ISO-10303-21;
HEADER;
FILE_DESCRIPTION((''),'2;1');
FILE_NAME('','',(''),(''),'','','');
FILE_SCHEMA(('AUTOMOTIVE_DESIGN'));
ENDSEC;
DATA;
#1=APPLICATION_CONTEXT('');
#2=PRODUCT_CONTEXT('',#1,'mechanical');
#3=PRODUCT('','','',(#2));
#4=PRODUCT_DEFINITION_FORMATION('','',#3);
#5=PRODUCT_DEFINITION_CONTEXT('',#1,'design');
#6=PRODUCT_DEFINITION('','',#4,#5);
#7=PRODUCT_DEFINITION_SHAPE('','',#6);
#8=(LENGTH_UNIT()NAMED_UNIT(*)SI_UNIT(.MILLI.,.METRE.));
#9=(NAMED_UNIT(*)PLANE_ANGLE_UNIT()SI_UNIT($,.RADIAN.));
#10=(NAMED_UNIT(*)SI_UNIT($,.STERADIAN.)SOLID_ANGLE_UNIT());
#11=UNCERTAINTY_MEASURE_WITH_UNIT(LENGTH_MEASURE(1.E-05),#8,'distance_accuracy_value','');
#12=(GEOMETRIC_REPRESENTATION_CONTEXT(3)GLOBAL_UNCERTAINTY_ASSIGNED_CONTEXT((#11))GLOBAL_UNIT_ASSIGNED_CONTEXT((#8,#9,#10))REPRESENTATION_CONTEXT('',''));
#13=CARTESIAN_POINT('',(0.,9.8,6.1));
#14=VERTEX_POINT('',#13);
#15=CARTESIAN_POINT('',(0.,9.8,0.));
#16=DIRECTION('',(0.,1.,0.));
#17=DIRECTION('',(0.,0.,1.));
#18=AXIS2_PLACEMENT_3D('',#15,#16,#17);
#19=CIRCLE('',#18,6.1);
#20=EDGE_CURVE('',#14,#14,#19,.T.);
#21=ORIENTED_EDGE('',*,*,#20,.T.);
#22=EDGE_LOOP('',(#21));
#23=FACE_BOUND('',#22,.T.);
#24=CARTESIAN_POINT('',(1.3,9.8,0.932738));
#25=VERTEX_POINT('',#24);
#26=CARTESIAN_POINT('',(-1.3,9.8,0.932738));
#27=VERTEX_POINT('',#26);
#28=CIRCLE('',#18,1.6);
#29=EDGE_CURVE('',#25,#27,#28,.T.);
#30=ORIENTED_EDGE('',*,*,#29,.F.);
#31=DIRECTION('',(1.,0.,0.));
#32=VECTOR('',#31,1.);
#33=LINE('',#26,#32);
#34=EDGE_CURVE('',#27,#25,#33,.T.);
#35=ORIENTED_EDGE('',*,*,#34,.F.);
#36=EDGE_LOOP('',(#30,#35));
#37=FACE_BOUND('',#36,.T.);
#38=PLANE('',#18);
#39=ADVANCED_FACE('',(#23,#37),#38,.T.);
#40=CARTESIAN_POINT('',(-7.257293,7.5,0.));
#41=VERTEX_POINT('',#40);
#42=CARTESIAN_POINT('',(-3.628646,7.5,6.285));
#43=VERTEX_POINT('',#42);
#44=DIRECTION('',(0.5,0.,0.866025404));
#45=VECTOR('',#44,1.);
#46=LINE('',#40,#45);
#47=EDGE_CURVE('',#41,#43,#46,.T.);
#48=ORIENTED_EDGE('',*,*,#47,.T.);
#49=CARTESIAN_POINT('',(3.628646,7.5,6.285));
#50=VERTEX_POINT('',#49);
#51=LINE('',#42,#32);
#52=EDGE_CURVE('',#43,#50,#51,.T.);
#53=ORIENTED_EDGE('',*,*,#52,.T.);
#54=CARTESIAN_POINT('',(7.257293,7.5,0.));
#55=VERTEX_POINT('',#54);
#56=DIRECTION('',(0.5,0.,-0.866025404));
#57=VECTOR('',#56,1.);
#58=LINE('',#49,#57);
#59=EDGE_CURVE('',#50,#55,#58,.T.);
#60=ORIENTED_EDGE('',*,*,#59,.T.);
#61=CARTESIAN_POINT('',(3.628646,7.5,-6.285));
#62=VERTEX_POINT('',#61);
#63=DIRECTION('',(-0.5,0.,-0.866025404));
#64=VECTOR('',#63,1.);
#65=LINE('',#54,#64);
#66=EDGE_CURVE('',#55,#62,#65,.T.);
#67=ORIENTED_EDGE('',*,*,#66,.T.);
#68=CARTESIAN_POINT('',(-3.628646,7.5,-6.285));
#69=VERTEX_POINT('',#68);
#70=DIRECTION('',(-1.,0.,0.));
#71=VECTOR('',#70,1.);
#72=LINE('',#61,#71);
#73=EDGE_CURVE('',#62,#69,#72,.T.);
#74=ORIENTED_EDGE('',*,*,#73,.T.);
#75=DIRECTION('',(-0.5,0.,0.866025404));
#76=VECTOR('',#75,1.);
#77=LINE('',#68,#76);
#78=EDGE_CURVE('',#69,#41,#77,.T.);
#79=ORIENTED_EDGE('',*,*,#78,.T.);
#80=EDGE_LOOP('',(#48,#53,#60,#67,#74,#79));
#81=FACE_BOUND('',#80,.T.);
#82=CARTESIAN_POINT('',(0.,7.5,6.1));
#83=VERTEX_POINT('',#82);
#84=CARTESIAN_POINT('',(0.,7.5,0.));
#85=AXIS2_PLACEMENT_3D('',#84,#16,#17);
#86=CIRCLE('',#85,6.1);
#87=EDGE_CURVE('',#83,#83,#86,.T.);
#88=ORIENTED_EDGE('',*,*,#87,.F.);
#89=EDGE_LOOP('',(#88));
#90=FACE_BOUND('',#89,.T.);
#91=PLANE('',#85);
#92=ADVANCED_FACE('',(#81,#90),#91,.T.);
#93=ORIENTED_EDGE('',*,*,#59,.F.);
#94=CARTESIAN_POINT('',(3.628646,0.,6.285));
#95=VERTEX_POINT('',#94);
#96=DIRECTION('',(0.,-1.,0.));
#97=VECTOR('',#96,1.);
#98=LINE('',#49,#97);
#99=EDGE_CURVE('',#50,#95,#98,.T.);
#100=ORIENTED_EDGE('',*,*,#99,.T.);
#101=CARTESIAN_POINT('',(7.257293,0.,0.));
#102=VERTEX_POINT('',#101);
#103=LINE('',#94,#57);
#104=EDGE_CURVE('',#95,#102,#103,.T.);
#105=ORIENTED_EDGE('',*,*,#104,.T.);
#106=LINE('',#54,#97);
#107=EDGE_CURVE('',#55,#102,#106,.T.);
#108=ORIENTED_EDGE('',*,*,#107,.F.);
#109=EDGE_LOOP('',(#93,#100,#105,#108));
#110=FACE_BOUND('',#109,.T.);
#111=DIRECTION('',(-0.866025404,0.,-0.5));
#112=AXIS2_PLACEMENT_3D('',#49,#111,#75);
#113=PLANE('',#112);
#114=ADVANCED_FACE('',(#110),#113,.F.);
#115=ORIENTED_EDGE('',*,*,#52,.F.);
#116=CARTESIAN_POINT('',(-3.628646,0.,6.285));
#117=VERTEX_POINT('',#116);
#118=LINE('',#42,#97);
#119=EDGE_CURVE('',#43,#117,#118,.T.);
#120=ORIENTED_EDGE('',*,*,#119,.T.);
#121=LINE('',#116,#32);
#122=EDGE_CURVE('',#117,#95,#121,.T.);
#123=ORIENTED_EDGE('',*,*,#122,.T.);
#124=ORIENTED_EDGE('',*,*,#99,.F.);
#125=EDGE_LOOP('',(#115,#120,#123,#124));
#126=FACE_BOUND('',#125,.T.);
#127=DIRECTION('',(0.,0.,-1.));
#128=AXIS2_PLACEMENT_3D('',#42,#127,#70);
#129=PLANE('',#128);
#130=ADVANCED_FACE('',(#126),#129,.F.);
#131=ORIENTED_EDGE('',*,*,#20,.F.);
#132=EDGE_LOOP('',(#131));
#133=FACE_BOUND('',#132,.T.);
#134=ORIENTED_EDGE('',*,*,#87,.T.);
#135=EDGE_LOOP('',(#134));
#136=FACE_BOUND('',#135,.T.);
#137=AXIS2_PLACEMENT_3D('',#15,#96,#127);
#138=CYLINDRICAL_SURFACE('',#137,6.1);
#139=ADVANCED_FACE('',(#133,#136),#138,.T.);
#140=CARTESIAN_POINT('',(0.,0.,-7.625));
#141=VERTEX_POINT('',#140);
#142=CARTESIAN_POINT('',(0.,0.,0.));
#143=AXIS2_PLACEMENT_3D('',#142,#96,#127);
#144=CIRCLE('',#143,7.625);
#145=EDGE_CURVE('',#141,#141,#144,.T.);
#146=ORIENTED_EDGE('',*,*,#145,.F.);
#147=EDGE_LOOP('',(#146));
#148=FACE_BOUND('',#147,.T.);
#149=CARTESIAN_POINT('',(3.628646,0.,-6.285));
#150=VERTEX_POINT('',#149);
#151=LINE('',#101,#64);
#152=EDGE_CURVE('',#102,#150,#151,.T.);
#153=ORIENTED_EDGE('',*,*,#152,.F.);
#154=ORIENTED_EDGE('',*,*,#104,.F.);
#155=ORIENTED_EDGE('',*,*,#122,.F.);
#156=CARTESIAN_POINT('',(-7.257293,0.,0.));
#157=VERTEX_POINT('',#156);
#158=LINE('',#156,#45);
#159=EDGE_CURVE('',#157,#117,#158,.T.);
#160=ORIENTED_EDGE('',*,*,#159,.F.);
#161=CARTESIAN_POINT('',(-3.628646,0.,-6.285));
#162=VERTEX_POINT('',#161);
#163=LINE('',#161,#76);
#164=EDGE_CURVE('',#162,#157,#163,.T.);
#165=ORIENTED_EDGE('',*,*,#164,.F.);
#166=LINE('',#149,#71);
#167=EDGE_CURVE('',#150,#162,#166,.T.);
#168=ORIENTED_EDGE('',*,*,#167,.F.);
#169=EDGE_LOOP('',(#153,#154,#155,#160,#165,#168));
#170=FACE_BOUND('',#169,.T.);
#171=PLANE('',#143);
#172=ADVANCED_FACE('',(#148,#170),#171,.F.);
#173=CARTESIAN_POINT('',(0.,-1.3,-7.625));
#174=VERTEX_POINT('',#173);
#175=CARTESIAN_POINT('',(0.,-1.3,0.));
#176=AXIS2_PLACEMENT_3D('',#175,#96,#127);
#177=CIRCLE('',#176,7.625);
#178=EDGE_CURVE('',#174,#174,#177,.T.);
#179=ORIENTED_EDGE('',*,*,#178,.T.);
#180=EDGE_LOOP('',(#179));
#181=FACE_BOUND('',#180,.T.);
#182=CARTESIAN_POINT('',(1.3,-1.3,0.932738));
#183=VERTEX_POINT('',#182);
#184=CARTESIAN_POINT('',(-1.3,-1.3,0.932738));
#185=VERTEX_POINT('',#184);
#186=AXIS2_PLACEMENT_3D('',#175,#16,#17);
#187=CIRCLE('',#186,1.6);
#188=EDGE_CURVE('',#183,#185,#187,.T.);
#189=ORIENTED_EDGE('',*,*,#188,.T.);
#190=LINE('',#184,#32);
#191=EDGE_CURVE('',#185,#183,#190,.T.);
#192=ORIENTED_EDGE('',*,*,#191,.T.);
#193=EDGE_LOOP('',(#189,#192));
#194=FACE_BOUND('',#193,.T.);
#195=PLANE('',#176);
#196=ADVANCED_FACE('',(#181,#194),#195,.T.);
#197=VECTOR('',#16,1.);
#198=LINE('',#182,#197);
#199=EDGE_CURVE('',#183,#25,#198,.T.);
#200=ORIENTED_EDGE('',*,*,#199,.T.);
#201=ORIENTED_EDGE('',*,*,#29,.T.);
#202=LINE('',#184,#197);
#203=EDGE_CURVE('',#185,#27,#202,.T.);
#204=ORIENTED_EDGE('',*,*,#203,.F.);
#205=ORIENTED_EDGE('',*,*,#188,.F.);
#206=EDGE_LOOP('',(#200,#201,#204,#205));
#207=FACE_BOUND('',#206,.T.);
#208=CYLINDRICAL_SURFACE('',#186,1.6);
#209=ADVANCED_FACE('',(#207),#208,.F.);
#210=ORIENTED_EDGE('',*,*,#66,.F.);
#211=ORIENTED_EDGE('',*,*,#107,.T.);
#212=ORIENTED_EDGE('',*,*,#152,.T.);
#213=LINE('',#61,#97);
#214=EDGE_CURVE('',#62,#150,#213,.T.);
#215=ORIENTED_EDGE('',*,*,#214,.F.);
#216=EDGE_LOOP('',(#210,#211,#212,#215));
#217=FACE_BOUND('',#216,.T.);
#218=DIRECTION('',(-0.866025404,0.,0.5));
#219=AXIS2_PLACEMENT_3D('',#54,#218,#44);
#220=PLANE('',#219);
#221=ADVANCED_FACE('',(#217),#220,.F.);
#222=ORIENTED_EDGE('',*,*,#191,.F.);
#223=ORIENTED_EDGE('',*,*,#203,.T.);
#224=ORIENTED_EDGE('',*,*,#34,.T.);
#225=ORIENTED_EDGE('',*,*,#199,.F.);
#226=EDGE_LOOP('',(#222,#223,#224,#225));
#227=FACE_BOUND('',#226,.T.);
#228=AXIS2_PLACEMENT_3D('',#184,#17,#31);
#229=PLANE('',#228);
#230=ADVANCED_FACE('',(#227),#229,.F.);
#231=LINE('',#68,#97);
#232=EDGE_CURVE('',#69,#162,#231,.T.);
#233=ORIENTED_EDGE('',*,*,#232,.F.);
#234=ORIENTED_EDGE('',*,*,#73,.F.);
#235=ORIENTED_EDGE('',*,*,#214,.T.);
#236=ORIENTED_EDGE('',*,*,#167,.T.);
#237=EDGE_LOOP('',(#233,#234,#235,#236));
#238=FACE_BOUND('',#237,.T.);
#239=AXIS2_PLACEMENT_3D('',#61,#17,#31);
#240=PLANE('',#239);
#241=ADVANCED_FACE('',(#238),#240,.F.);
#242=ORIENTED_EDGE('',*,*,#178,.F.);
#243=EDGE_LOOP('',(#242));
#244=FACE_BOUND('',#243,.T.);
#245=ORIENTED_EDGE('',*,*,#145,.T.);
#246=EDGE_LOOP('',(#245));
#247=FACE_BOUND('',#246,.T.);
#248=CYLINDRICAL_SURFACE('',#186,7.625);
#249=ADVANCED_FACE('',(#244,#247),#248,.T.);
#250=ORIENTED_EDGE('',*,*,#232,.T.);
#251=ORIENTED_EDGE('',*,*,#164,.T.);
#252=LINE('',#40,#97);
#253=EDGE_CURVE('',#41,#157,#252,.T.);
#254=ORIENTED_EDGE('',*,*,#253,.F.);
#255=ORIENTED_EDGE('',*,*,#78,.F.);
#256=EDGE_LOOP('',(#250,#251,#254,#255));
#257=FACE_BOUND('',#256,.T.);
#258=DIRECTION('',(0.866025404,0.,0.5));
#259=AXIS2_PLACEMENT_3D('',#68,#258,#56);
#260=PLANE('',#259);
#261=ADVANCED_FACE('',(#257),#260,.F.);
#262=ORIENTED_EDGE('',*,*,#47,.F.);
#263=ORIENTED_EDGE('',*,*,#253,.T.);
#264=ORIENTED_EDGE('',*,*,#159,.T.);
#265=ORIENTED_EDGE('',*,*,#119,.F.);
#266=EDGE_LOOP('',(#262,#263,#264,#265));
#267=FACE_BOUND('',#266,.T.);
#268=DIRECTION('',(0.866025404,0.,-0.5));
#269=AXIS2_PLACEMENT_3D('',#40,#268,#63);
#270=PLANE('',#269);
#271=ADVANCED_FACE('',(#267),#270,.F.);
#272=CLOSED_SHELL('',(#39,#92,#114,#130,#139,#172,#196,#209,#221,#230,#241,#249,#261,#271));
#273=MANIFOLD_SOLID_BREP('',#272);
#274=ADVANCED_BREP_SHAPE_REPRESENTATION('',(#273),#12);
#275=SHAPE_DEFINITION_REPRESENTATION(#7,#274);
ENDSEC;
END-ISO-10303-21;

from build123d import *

# Parameters (mm, degrees)
BOSS_EXTRUDE1_DEPTH = 7.5
SKETCH2_R           = 6.1
BOSS_EXTRUDE2_DEPTH = 2.3
SKETCH3_R           = 7.625
BOSS_EXTRUDE3_DEPTH = 1.3
CUT_EXTRUDE1_DEPTH  = 12.1


with BuildPart() as part:
    # Sketch1 → Boss-Extrude1 (new body)
    with BuildSketch(Plane(origin=(0, 0, 0), x_dir=(1, 0, 0), z_dir=(0, 1, 0))):
        Polygon((7.257292884, 0), (3.628646442, 6.285), (-3.628646442, 6.285), (-7.257292884, 0), (-3.628646442, -6.285), (3.628646442, -6.285), align=None)
    extrude(amount=BOSS_EXTRUDE1_DEPTH)

    # Sketch2 → Boss-Extrude2 (add)
    with BuildSketch(Plane(origin=(0, 7.5, 0), x_dir=(1, 0, 0), z_dir=(0, 1, 0))):
        Circle(SKETCH2_R)
    extrude(amount=BOSS_EXTRUDE2_DEPTH)

    # Sketch3 → Boss-Extrude3 (add)
    with BuildSketch(Plane.XZ):
        Circle(SKETCH3_R)
    extrude(amount=BOSS_EXTRUDE3_DEPTH)

    # Sketch4 → Cut-Extrude1 (cut, through all)
    with BuildSketch(Plane(origin=(0, 9.8, 0), x_dir=(1, 0, 0), z_dir=(0, 1, 0))):
        with BuildLine():
            Line((-1.3, -0.932737905), (1.3, -0.932737905))
            ThreePointArc((1.3, -0.932737905), (0, 1.6), (-1.3, -0.932737905))
        make_face()
    extrude(amount=-CUT_EXTRUDE1_DEPTH, mode=Mode.SUBTRACT)


solid = part.part
